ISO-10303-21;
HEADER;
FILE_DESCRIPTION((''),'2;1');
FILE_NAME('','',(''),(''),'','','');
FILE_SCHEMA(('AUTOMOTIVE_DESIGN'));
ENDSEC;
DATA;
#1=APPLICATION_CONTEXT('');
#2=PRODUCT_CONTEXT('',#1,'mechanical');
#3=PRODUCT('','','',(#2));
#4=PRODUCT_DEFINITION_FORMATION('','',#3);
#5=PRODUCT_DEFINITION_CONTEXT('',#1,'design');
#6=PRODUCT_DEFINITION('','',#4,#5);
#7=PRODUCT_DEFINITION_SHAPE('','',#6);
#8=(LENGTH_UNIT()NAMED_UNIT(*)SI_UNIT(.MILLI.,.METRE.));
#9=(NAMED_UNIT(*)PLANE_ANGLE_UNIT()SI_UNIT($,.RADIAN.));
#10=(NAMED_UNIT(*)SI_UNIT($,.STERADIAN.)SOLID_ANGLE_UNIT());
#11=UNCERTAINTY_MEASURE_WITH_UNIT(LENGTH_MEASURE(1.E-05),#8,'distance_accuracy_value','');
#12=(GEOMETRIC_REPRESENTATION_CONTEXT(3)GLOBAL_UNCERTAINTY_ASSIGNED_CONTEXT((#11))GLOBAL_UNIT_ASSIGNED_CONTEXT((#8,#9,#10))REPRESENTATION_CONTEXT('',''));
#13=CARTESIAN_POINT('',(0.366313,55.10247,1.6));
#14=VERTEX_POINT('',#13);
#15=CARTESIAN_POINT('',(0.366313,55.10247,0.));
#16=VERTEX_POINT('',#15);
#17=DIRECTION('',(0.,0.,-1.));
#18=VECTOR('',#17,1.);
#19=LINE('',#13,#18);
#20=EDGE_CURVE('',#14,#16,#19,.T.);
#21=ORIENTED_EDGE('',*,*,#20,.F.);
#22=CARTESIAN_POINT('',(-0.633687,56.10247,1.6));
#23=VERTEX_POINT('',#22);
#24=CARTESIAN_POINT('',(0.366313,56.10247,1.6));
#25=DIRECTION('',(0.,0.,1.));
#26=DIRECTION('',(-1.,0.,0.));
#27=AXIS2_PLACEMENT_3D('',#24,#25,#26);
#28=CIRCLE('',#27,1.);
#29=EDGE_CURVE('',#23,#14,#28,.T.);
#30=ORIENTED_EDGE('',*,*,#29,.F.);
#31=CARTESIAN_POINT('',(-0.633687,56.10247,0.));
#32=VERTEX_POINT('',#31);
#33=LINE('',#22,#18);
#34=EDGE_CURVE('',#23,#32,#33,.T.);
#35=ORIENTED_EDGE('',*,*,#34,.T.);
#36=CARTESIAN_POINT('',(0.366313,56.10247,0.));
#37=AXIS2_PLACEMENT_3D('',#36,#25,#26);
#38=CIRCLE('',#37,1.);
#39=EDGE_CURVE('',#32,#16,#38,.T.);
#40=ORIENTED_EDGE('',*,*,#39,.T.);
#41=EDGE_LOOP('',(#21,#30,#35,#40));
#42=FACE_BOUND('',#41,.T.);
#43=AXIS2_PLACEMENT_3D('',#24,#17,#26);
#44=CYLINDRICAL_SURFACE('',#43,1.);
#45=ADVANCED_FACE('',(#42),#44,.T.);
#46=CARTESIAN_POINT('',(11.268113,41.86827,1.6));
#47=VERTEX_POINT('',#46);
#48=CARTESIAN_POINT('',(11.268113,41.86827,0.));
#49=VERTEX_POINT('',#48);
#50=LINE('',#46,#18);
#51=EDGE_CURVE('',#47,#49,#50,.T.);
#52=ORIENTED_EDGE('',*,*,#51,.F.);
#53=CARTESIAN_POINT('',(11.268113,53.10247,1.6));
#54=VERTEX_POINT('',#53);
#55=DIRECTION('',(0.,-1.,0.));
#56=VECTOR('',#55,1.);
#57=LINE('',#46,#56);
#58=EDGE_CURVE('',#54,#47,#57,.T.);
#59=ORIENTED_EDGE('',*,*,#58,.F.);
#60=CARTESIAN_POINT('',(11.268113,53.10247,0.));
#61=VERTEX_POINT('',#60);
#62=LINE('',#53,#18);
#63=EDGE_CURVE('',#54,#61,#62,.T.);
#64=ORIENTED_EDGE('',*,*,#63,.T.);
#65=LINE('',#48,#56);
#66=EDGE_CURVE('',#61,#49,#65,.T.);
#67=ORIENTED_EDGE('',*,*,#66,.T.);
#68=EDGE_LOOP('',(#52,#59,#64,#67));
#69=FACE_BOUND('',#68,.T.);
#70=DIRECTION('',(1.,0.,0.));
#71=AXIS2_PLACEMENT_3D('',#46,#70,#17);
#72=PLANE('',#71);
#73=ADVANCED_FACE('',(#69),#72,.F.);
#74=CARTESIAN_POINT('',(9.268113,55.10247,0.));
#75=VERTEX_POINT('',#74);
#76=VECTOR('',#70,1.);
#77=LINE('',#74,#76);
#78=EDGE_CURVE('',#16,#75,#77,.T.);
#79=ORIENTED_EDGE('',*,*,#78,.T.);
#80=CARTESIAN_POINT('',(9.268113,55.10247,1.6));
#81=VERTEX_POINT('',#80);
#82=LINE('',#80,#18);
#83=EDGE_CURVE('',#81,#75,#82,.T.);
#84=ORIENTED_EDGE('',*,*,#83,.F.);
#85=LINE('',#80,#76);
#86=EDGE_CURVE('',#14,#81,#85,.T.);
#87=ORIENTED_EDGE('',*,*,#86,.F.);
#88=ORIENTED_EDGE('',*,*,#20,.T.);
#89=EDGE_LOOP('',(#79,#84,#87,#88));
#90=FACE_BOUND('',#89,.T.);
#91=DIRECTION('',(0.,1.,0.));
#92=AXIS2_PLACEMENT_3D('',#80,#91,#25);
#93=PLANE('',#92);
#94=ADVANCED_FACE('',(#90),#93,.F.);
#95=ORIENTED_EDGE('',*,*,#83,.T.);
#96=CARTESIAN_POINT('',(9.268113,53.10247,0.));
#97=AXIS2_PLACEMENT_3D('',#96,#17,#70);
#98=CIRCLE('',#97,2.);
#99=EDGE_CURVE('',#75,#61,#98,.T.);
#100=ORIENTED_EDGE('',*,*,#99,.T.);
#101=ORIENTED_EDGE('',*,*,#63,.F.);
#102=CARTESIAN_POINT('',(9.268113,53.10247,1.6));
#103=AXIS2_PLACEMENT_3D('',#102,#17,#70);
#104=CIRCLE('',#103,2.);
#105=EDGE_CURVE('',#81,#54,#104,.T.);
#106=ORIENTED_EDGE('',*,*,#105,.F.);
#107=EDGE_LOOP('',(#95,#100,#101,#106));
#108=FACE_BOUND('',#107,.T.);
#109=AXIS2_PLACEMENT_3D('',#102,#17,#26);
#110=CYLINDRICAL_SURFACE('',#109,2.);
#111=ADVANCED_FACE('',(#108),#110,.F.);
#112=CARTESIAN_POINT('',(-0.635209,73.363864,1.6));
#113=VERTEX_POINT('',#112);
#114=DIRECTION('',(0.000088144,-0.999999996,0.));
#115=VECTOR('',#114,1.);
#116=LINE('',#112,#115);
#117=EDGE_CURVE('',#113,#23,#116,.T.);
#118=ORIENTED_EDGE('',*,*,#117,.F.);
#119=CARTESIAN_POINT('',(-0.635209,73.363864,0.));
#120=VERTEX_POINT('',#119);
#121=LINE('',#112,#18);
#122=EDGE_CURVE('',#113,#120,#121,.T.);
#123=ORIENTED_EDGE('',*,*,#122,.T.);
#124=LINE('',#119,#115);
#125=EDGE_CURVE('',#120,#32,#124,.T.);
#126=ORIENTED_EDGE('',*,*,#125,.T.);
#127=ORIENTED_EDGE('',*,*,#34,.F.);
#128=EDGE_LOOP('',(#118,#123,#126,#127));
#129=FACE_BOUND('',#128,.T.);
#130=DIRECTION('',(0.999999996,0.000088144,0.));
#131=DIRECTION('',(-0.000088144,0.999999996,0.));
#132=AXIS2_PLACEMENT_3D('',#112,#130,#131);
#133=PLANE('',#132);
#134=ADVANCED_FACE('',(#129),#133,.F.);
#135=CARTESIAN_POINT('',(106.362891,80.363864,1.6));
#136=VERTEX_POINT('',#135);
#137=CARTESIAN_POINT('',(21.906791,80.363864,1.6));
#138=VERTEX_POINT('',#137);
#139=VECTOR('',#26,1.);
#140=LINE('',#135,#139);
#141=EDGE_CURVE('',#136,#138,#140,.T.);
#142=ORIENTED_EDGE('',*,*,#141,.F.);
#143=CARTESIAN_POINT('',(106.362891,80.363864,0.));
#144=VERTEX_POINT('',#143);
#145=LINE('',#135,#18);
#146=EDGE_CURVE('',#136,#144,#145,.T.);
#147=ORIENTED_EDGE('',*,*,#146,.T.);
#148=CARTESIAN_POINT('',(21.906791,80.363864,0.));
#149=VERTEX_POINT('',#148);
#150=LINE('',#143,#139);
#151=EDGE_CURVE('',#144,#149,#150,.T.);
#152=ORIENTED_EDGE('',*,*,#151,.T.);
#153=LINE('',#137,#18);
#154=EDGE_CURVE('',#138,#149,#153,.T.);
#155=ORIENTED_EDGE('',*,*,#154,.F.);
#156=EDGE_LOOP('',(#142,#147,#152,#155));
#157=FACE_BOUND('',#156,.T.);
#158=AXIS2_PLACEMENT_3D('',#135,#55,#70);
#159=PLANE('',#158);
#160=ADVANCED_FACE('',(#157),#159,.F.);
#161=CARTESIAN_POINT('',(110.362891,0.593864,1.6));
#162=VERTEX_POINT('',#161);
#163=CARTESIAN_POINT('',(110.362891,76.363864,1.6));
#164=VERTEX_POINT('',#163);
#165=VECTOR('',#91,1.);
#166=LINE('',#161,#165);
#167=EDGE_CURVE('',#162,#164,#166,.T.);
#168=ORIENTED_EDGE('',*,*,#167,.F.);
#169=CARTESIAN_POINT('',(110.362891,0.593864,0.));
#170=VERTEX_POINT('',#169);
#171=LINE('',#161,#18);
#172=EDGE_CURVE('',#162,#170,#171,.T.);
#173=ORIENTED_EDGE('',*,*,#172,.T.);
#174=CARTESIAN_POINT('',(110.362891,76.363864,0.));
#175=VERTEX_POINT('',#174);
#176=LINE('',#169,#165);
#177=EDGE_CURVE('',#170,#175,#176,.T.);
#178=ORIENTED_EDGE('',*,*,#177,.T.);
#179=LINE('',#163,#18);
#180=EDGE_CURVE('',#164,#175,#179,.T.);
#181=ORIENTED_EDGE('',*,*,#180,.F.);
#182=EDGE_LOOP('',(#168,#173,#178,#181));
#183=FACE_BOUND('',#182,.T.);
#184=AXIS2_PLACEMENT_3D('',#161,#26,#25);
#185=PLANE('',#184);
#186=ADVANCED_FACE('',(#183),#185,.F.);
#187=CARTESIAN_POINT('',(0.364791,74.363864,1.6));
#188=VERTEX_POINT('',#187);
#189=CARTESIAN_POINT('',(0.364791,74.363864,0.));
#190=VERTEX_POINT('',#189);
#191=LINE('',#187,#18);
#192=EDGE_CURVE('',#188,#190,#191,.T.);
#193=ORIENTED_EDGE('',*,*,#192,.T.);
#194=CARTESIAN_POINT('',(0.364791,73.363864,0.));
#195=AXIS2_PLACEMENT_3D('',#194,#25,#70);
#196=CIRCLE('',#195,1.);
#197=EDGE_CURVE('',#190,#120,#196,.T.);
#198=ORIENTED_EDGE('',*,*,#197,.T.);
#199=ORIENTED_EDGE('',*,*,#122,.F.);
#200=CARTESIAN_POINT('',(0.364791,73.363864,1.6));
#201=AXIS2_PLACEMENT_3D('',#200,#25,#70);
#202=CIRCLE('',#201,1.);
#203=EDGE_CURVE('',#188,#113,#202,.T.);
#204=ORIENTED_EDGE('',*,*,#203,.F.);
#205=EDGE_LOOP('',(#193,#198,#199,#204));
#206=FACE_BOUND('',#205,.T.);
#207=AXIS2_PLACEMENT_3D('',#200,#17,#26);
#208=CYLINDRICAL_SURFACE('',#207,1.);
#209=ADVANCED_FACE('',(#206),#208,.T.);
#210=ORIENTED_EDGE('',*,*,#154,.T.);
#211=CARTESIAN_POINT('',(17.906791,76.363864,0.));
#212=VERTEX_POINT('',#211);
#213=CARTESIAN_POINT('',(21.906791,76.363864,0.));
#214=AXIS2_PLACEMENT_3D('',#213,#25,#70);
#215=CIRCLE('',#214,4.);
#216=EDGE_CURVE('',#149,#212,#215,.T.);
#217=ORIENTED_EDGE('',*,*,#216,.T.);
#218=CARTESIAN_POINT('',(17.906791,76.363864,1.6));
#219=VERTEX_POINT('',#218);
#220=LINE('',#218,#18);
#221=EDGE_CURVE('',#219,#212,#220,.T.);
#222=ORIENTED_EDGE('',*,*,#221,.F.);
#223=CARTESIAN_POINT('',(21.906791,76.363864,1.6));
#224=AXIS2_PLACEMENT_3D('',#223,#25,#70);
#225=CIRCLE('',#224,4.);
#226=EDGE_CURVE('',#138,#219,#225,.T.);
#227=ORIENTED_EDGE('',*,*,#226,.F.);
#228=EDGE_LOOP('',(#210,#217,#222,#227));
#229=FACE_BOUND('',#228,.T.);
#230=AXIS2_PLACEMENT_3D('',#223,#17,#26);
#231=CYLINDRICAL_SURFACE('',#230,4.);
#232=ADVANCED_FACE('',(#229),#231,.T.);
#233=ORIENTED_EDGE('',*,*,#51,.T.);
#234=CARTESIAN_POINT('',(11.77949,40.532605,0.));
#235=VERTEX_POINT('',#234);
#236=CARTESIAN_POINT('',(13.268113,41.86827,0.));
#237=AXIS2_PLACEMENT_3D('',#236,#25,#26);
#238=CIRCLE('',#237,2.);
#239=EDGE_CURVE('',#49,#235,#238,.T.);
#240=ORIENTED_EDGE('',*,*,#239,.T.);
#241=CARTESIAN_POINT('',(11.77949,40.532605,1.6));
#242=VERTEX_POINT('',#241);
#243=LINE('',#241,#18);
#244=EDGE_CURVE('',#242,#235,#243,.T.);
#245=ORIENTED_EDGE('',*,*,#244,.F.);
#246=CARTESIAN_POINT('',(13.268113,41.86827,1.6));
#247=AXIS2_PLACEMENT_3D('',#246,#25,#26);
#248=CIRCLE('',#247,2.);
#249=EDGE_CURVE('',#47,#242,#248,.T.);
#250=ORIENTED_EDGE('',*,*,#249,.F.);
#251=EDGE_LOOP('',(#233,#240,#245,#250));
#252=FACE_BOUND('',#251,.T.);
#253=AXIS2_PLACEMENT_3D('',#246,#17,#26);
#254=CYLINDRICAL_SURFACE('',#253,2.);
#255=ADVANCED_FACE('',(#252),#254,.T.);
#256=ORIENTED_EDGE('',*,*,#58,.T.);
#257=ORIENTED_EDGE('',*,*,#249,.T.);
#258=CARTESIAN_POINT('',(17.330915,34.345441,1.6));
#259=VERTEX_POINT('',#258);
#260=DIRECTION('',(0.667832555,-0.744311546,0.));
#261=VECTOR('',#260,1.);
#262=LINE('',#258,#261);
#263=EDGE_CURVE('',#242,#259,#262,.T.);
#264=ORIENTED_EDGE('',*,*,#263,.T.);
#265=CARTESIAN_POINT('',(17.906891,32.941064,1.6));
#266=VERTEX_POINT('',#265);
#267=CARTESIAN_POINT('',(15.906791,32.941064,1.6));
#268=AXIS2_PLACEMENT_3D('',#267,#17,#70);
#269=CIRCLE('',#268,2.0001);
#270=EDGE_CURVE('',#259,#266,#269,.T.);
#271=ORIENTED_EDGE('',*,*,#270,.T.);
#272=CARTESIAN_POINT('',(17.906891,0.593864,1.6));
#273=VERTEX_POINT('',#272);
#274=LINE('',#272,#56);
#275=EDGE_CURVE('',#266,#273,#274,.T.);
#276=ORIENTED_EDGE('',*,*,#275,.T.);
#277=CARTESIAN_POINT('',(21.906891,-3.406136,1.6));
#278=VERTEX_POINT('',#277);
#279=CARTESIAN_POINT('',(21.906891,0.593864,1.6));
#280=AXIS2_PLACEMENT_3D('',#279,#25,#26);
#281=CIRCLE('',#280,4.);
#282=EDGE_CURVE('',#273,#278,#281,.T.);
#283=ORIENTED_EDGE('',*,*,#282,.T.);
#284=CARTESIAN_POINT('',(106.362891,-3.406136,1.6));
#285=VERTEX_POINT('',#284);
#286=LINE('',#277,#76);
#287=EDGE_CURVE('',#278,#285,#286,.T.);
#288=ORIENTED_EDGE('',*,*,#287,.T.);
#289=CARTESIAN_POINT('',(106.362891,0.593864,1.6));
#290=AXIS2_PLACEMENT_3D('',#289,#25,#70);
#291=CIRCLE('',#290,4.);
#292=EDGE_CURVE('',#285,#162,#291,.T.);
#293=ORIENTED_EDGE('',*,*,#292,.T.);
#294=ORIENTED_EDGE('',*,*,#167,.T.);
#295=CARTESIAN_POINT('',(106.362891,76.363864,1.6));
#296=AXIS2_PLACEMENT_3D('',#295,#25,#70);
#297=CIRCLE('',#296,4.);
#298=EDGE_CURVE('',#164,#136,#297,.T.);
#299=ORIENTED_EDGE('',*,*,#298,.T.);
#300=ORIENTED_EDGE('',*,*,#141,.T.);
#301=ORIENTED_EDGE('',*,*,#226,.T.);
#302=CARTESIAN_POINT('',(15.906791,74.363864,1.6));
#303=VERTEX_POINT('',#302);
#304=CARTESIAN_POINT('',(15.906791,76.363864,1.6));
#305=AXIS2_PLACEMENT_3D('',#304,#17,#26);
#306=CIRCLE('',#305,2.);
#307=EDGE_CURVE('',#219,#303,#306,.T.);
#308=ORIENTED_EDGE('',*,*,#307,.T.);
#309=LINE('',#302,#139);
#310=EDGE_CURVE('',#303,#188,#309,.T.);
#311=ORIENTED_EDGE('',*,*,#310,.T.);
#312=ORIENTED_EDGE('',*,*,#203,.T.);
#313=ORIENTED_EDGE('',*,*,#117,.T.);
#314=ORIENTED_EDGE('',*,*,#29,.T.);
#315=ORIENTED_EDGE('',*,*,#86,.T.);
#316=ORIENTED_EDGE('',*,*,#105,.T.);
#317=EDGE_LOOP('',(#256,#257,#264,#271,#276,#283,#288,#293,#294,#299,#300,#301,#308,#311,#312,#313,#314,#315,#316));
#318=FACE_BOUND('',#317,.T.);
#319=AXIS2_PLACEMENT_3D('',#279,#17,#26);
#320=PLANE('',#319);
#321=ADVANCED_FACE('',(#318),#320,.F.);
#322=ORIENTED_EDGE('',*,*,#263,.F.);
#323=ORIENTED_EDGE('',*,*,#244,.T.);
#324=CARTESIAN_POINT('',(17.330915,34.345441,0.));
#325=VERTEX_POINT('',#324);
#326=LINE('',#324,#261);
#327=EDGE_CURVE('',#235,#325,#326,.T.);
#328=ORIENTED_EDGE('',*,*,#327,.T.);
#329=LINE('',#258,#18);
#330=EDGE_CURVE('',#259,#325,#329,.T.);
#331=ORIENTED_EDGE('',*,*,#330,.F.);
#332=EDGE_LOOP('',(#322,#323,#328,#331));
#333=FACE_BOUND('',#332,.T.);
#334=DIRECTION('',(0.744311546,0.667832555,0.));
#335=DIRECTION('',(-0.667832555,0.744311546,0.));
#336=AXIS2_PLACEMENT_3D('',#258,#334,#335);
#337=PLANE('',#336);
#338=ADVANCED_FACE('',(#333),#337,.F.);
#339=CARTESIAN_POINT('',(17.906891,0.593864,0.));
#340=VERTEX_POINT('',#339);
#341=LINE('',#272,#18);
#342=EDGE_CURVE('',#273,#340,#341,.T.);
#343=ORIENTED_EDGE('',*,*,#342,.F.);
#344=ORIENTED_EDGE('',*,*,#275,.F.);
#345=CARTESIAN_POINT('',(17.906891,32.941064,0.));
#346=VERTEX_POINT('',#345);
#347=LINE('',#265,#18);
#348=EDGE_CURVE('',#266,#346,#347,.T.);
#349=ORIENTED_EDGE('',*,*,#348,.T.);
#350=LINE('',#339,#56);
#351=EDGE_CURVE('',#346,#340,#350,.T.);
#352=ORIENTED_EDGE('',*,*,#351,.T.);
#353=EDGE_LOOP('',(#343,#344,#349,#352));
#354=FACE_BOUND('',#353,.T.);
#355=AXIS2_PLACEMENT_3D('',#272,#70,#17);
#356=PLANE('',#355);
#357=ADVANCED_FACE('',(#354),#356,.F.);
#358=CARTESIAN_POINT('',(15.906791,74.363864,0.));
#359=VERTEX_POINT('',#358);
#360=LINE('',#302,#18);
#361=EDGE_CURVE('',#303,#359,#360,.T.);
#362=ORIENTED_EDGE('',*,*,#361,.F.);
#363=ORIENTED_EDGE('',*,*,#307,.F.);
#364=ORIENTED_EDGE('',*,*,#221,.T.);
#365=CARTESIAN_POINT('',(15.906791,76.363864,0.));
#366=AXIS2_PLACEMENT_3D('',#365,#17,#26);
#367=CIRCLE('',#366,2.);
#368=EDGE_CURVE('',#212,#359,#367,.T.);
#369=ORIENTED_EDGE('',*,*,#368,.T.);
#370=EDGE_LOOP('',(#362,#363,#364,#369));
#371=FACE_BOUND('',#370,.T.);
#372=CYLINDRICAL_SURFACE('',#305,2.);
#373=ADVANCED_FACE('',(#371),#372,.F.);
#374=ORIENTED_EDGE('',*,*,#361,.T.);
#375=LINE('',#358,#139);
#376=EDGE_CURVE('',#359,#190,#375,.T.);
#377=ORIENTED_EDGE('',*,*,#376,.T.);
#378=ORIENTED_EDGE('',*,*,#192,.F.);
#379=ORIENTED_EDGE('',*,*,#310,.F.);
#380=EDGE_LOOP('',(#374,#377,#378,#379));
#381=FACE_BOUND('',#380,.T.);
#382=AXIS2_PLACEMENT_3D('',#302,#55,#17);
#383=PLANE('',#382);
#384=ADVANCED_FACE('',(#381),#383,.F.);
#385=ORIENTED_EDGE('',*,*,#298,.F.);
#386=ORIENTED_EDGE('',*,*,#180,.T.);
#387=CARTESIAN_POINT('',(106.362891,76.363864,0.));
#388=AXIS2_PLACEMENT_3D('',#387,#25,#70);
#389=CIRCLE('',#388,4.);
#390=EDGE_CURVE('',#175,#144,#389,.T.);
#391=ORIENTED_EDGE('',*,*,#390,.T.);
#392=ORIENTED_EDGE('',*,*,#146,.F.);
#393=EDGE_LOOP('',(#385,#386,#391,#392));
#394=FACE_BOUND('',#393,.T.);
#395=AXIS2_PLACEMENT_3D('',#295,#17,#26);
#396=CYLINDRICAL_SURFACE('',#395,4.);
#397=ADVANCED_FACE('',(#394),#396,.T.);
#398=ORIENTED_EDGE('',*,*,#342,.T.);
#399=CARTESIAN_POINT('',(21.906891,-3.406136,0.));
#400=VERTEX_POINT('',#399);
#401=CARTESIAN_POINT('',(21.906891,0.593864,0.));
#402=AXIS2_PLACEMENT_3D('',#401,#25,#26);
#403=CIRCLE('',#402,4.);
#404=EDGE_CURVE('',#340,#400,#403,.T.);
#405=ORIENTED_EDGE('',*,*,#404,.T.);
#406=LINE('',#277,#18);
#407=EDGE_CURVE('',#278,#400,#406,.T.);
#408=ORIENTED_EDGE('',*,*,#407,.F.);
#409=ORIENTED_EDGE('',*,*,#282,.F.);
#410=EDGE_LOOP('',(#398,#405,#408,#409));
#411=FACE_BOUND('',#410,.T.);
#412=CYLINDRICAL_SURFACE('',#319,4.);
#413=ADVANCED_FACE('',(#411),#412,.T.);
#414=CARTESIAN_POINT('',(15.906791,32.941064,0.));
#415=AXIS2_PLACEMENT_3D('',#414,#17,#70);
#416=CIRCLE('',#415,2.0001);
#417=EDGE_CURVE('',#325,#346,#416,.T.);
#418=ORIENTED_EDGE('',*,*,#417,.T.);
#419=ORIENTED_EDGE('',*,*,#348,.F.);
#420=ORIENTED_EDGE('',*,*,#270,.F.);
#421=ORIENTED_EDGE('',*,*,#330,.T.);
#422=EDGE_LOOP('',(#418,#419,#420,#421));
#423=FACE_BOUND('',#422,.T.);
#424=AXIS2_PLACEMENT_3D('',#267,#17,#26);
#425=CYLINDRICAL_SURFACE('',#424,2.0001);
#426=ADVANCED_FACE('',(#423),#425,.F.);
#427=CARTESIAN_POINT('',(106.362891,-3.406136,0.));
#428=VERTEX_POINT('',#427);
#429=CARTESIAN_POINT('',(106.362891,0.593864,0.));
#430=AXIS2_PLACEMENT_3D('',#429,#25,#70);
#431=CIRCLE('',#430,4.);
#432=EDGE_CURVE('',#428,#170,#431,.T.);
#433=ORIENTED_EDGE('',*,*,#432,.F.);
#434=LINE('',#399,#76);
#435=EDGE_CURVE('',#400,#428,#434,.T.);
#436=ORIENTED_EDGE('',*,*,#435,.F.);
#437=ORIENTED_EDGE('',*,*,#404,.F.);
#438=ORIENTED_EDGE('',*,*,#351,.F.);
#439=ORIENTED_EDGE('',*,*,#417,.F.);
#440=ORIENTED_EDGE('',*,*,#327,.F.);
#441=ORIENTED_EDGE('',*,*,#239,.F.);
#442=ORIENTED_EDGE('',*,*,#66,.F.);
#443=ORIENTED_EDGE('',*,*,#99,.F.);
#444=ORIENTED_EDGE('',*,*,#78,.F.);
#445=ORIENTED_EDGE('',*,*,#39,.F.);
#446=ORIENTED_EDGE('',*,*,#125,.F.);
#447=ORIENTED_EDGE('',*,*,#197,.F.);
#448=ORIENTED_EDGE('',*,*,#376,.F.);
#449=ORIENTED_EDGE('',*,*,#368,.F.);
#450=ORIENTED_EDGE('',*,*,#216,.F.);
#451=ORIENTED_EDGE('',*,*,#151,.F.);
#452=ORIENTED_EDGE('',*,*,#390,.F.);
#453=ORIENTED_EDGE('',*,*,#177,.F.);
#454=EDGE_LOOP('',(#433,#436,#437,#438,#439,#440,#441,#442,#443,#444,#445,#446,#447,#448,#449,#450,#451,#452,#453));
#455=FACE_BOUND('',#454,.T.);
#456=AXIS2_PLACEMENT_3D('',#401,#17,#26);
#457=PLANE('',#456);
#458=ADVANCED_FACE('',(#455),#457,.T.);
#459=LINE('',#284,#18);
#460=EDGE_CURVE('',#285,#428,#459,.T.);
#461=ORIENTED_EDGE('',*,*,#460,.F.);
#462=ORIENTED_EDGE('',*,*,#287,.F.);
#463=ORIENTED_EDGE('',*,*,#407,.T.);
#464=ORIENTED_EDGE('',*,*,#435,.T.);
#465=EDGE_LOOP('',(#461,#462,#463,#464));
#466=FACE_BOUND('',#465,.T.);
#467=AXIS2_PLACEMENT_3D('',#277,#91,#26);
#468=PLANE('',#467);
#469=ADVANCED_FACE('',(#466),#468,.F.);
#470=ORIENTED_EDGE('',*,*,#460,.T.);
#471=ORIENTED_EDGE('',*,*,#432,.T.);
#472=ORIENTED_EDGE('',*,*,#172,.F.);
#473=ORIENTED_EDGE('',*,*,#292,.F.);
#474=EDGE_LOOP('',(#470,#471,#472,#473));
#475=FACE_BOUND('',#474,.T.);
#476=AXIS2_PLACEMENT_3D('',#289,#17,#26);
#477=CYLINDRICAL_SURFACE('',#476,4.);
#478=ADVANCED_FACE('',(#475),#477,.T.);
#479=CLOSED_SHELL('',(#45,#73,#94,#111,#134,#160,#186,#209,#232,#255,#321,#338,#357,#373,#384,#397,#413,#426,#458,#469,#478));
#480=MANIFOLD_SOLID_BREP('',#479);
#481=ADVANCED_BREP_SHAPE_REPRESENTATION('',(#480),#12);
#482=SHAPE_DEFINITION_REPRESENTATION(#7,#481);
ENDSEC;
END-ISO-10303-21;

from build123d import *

# Parameters (mm, degrees)
BOSS_EXTRUDE6_DEPTH = 1.6


with BuildPart() as part:
    # Sketch1 → Boss-Extrude6 (new body)
    with BuildSketch(Plane.XY):
        with BuildLine():
            Line((21.906891383, -3.406135598), (106.362891383, -3.406135598))
            ThreePointArc((106.362891383, -3.406135598), (109.191318508, -2.234562723), (110.362891383, 0.593864402))
            Line((110.362891383, 0.593864402), (110.362891383, 76.363864402))
            ThreePointArc((110.362891383, 76.363864402), (109.191318508, 79.192291526), (106.362891383, 80.363864402))
            Line((106.362891383, 80.363864402), (21.906791383, 80.363864402))
            ThreePointArc((21.906791383, 80.363864402), (19.078364258, 79.192291526), (17.906791383, 76.363864402))
            ThreePointArc((17.906791383, 76.363864402), (17.321004945, 74.949650839), (15.906791383, 74.363864402))
            Line((15.906791383, 74.363864402), (0.364791383, 74.363864402))
            ThreePointArc((0.364791383, 74.363864402), (-0.342315398, 74.070971183), (-0.635208617, 73.363864402))
            Line((-0.635208617, 73.363864402), (-0.63368713, 56.102469993))
            ThreePointArc((-0.63368713, 56.102469993), (-0.340793912, 55.395363212), (0.36631287, 55.102469993))
            Line((0.36631287, 55.102469993), (9.26811287, 55.102469993))
            ThreePointArc((9.26811287, 55.102469993), (10.682326432, 54.516683555), (11.26811287, 53.102469993))
            Line((11.26811287, 53.102469993), (11.26811287, 41.868269993))
            ThreePointArc((11.26811287, 41.868269993), (11.400327258, 41.153163772), (11.779489777, 40.532604882))
            Line((11.779489777, 40.532604882), (17.330914678, 34.345440723))
            ThreePointArc((17.330914678, 34.345440723), (17.757303341, 33.700014666), (17.906891383, 32.941064402))
            Line((17.906891383, 32.941064402), (17.906891383, 0.593864402))
            ThreePointArc((17.906891383, 0.593864402), (19.078464258, -2.234562723), (21.906891383, -3.406135598))
        make_face()
    extrude(amount=BOSS_EXTRUDE6_DEPTH)


solid = part.part
